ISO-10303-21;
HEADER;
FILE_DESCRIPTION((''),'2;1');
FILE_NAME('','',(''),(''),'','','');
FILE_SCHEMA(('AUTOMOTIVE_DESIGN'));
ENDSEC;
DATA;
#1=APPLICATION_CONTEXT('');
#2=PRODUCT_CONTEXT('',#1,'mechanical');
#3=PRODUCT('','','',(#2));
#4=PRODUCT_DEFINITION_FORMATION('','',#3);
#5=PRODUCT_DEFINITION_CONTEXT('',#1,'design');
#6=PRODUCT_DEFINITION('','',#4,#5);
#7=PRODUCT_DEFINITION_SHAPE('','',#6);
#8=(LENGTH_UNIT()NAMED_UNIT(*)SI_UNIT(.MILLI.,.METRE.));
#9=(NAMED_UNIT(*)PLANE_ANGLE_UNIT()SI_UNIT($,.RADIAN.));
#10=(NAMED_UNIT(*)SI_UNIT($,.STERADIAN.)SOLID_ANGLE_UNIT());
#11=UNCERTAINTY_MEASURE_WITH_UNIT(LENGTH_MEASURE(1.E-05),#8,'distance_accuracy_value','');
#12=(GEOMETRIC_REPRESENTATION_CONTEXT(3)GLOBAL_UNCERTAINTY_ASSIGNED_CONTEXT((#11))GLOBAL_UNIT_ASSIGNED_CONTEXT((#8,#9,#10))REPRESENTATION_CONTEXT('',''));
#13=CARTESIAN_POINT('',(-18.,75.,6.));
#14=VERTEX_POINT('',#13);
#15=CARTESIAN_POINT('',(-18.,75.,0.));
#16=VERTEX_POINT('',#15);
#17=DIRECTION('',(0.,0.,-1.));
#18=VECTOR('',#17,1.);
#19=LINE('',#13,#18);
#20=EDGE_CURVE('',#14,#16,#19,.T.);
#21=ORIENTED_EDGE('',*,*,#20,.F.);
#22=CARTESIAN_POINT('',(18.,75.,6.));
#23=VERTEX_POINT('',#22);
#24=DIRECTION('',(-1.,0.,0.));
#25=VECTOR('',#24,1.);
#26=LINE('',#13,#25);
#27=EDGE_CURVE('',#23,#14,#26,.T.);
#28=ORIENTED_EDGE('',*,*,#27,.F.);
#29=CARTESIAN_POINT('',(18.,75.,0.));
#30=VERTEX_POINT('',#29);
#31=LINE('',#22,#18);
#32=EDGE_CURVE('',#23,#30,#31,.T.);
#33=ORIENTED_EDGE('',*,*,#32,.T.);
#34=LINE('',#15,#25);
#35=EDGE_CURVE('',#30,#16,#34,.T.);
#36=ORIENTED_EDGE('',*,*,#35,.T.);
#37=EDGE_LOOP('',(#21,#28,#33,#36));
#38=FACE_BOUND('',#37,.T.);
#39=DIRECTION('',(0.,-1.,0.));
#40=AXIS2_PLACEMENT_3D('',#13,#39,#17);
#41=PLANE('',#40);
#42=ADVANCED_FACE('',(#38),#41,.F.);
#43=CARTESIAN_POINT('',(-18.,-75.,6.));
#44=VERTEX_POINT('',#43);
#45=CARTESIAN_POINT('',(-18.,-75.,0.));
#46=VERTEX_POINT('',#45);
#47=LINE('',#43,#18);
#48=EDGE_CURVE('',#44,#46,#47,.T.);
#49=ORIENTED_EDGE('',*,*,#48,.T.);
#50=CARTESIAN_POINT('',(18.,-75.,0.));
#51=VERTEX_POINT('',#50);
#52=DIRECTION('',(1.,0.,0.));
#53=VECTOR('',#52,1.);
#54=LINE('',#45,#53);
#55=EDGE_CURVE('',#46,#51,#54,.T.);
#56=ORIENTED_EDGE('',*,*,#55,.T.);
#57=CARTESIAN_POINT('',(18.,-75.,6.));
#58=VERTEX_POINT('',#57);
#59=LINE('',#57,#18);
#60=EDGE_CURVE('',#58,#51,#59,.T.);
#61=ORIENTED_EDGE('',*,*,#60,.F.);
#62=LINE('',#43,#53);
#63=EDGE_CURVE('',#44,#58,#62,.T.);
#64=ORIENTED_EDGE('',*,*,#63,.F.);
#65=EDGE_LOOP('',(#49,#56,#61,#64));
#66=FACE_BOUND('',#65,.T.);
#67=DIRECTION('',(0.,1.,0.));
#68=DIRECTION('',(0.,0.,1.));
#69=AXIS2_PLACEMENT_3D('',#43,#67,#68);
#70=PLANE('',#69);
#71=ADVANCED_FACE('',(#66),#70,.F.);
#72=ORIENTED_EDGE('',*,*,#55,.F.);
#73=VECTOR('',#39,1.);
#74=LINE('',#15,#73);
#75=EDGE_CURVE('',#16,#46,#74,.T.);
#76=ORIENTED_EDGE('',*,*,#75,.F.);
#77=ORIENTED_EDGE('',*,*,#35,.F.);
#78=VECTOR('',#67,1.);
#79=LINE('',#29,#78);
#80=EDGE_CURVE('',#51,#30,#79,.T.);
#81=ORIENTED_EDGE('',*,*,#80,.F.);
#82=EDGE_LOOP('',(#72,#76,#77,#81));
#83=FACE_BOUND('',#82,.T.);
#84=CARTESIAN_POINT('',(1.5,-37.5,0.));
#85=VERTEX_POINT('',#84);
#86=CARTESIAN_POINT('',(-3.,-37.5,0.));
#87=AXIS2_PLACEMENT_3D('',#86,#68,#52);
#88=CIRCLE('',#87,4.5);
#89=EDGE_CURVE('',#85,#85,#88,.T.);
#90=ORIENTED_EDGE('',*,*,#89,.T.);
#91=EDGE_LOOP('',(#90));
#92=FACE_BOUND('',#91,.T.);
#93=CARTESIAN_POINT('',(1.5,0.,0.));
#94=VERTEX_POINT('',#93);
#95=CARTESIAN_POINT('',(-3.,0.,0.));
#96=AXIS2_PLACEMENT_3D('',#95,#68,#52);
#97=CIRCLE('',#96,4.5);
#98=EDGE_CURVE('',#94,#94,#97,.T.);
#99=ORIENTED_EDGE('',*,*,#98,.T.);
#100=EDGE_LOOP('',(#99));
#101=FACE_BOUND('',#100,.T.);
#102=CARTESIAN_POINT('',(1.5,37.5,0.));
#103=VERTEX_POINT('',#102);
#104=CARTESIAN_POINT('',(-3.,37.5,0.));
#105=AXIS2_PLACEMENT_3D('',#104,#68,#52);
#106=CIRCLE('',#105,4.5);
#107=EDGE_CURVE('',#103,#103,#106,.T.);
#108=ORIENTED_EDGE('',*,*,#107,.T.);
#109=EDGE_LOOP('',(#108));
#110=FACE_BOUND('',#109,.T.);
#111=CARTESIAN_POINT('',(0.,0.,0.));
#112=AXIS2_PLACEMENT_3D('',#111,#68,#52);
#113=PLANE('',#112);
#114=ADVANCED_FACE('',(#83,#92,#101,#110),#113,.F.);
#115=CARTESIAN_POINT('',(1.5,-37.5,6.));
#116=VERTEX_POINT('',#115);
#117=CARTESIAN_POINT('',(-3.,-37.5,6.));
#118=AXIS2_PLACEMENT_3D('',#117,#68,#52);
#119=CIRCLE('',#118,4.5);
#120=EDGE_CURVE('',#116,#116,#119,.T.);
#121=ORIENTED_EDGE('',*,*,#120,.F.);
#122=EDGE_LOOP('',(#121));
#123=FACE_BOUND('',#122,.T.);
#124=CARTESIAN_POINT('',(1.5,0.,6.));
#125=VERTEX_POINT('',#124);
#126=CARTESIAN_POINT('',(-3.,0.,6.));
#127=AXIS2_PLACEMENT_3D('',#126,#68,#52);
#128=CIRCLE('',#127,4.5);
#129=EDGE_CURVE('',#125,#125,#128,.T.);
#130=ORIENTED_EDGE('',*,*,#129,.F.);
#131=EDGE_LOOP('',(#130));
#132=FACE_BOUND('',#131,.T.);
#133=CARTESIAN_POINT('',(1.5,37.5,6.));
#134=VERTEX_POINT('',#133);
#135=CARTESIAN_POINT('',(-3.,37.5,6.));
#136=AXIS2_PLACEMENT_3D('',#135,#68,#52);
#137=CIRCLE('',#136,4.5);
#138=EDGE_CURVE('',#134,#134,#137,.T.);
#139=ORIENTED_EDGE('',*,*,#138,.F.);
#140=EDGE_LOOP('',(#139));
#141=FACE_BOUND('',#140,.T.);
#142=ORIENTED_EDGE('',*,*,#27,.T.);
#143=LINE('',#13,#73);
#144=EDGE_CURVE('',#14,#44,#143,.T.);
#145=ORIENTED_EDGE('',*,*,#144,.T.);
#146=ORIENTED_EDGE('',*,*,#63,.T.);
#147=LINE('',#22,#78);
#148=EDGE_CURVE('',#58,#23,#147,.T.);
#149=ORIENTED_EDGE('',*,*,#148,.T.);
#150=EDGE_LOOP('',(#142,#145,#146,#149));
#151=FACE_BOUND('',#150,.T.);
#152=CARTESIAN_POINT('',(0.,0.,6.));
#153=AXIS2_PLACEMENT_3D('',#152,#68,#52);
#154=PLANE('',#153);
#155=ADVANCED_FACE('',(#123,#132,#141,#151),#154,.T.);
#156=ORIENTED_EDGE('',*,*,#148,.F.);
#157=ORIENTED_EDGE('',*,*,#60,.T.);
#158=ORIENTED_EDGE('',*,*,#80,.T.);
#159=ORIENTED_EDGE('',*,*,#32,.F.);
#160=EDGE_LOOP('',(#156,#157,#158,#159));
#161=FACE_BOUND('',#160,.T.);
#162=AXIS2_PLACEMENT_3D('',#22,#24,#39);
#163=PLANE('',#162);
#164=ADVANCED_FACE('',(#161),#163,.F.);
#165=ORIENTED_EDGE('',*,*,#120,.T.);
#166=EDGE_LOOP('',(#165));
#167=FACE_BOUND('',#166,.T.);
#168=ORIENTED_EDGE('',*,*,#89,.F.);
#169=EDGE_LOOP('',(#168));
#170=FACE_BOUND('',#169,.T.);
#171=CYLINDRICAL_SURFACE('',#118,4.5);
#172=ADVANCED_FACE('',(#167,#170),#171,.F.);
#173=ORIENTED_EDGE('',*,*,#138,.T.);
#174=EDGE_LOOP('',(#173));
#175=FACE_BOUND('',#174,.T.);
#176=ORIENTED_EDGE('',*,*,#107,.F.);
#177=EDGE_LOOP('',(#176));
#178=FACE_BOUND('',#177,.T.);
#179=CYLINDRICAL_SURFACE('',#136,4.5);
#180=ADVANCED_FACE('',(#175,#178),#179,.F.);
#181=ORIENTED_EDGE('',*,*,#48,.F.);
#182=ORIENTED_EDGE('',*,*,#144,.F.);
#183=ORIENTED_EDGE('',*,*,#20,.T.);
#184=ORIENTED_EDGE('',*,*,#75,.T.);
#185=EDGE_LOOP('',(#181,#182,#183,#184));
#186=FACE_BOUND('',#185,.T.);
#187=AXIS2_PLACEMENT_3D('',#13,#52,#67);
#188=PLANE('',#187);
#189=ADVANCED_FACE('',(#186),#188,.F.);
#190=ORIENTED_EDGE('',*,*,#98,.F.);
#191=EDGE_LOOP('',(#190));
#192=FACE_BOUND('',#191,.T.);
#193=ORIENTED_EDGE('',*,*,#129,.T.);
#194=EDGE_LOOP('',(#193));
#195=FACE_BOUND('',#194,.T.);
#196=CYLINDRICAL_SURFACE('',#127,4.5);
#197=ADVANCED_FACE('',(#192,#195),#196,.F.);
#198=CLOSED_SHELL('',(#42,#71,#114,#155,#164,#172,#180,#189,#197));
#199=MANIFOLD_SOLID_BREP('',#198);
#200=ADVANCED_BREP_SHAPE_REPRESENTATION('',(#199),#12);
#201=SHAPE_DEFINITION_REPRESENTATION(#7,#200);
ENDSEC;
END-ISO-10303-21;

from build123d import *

# Parameters (mm, degrees)
SKETCH1_W            = 36
SKETCH1_H            = 150
BOSS_EXTRUDE1_DEPTH  = 6
M8_CLEARANCE_HOLE1_D = 9


with BuildPart() as part:
    # Sketch1 → Boss-Extrude1 (new body)
    with BuildSketch(Plane.XY):
        Rectangle(SKETCH1_W, SKETCH1_H)
    extrude(amount=BOSS_EXTRUDE1_DEPTH)

    # M8 Clearance Hole1 (through all)
    with Locations(Plane.XY.offset(6)):
        with Locations((-3, 37.5), (-3, 0), (-3, -37.5)):
            Hole(M8_CLEARANCE_HOLE1_D / 2)


solid = part.part
